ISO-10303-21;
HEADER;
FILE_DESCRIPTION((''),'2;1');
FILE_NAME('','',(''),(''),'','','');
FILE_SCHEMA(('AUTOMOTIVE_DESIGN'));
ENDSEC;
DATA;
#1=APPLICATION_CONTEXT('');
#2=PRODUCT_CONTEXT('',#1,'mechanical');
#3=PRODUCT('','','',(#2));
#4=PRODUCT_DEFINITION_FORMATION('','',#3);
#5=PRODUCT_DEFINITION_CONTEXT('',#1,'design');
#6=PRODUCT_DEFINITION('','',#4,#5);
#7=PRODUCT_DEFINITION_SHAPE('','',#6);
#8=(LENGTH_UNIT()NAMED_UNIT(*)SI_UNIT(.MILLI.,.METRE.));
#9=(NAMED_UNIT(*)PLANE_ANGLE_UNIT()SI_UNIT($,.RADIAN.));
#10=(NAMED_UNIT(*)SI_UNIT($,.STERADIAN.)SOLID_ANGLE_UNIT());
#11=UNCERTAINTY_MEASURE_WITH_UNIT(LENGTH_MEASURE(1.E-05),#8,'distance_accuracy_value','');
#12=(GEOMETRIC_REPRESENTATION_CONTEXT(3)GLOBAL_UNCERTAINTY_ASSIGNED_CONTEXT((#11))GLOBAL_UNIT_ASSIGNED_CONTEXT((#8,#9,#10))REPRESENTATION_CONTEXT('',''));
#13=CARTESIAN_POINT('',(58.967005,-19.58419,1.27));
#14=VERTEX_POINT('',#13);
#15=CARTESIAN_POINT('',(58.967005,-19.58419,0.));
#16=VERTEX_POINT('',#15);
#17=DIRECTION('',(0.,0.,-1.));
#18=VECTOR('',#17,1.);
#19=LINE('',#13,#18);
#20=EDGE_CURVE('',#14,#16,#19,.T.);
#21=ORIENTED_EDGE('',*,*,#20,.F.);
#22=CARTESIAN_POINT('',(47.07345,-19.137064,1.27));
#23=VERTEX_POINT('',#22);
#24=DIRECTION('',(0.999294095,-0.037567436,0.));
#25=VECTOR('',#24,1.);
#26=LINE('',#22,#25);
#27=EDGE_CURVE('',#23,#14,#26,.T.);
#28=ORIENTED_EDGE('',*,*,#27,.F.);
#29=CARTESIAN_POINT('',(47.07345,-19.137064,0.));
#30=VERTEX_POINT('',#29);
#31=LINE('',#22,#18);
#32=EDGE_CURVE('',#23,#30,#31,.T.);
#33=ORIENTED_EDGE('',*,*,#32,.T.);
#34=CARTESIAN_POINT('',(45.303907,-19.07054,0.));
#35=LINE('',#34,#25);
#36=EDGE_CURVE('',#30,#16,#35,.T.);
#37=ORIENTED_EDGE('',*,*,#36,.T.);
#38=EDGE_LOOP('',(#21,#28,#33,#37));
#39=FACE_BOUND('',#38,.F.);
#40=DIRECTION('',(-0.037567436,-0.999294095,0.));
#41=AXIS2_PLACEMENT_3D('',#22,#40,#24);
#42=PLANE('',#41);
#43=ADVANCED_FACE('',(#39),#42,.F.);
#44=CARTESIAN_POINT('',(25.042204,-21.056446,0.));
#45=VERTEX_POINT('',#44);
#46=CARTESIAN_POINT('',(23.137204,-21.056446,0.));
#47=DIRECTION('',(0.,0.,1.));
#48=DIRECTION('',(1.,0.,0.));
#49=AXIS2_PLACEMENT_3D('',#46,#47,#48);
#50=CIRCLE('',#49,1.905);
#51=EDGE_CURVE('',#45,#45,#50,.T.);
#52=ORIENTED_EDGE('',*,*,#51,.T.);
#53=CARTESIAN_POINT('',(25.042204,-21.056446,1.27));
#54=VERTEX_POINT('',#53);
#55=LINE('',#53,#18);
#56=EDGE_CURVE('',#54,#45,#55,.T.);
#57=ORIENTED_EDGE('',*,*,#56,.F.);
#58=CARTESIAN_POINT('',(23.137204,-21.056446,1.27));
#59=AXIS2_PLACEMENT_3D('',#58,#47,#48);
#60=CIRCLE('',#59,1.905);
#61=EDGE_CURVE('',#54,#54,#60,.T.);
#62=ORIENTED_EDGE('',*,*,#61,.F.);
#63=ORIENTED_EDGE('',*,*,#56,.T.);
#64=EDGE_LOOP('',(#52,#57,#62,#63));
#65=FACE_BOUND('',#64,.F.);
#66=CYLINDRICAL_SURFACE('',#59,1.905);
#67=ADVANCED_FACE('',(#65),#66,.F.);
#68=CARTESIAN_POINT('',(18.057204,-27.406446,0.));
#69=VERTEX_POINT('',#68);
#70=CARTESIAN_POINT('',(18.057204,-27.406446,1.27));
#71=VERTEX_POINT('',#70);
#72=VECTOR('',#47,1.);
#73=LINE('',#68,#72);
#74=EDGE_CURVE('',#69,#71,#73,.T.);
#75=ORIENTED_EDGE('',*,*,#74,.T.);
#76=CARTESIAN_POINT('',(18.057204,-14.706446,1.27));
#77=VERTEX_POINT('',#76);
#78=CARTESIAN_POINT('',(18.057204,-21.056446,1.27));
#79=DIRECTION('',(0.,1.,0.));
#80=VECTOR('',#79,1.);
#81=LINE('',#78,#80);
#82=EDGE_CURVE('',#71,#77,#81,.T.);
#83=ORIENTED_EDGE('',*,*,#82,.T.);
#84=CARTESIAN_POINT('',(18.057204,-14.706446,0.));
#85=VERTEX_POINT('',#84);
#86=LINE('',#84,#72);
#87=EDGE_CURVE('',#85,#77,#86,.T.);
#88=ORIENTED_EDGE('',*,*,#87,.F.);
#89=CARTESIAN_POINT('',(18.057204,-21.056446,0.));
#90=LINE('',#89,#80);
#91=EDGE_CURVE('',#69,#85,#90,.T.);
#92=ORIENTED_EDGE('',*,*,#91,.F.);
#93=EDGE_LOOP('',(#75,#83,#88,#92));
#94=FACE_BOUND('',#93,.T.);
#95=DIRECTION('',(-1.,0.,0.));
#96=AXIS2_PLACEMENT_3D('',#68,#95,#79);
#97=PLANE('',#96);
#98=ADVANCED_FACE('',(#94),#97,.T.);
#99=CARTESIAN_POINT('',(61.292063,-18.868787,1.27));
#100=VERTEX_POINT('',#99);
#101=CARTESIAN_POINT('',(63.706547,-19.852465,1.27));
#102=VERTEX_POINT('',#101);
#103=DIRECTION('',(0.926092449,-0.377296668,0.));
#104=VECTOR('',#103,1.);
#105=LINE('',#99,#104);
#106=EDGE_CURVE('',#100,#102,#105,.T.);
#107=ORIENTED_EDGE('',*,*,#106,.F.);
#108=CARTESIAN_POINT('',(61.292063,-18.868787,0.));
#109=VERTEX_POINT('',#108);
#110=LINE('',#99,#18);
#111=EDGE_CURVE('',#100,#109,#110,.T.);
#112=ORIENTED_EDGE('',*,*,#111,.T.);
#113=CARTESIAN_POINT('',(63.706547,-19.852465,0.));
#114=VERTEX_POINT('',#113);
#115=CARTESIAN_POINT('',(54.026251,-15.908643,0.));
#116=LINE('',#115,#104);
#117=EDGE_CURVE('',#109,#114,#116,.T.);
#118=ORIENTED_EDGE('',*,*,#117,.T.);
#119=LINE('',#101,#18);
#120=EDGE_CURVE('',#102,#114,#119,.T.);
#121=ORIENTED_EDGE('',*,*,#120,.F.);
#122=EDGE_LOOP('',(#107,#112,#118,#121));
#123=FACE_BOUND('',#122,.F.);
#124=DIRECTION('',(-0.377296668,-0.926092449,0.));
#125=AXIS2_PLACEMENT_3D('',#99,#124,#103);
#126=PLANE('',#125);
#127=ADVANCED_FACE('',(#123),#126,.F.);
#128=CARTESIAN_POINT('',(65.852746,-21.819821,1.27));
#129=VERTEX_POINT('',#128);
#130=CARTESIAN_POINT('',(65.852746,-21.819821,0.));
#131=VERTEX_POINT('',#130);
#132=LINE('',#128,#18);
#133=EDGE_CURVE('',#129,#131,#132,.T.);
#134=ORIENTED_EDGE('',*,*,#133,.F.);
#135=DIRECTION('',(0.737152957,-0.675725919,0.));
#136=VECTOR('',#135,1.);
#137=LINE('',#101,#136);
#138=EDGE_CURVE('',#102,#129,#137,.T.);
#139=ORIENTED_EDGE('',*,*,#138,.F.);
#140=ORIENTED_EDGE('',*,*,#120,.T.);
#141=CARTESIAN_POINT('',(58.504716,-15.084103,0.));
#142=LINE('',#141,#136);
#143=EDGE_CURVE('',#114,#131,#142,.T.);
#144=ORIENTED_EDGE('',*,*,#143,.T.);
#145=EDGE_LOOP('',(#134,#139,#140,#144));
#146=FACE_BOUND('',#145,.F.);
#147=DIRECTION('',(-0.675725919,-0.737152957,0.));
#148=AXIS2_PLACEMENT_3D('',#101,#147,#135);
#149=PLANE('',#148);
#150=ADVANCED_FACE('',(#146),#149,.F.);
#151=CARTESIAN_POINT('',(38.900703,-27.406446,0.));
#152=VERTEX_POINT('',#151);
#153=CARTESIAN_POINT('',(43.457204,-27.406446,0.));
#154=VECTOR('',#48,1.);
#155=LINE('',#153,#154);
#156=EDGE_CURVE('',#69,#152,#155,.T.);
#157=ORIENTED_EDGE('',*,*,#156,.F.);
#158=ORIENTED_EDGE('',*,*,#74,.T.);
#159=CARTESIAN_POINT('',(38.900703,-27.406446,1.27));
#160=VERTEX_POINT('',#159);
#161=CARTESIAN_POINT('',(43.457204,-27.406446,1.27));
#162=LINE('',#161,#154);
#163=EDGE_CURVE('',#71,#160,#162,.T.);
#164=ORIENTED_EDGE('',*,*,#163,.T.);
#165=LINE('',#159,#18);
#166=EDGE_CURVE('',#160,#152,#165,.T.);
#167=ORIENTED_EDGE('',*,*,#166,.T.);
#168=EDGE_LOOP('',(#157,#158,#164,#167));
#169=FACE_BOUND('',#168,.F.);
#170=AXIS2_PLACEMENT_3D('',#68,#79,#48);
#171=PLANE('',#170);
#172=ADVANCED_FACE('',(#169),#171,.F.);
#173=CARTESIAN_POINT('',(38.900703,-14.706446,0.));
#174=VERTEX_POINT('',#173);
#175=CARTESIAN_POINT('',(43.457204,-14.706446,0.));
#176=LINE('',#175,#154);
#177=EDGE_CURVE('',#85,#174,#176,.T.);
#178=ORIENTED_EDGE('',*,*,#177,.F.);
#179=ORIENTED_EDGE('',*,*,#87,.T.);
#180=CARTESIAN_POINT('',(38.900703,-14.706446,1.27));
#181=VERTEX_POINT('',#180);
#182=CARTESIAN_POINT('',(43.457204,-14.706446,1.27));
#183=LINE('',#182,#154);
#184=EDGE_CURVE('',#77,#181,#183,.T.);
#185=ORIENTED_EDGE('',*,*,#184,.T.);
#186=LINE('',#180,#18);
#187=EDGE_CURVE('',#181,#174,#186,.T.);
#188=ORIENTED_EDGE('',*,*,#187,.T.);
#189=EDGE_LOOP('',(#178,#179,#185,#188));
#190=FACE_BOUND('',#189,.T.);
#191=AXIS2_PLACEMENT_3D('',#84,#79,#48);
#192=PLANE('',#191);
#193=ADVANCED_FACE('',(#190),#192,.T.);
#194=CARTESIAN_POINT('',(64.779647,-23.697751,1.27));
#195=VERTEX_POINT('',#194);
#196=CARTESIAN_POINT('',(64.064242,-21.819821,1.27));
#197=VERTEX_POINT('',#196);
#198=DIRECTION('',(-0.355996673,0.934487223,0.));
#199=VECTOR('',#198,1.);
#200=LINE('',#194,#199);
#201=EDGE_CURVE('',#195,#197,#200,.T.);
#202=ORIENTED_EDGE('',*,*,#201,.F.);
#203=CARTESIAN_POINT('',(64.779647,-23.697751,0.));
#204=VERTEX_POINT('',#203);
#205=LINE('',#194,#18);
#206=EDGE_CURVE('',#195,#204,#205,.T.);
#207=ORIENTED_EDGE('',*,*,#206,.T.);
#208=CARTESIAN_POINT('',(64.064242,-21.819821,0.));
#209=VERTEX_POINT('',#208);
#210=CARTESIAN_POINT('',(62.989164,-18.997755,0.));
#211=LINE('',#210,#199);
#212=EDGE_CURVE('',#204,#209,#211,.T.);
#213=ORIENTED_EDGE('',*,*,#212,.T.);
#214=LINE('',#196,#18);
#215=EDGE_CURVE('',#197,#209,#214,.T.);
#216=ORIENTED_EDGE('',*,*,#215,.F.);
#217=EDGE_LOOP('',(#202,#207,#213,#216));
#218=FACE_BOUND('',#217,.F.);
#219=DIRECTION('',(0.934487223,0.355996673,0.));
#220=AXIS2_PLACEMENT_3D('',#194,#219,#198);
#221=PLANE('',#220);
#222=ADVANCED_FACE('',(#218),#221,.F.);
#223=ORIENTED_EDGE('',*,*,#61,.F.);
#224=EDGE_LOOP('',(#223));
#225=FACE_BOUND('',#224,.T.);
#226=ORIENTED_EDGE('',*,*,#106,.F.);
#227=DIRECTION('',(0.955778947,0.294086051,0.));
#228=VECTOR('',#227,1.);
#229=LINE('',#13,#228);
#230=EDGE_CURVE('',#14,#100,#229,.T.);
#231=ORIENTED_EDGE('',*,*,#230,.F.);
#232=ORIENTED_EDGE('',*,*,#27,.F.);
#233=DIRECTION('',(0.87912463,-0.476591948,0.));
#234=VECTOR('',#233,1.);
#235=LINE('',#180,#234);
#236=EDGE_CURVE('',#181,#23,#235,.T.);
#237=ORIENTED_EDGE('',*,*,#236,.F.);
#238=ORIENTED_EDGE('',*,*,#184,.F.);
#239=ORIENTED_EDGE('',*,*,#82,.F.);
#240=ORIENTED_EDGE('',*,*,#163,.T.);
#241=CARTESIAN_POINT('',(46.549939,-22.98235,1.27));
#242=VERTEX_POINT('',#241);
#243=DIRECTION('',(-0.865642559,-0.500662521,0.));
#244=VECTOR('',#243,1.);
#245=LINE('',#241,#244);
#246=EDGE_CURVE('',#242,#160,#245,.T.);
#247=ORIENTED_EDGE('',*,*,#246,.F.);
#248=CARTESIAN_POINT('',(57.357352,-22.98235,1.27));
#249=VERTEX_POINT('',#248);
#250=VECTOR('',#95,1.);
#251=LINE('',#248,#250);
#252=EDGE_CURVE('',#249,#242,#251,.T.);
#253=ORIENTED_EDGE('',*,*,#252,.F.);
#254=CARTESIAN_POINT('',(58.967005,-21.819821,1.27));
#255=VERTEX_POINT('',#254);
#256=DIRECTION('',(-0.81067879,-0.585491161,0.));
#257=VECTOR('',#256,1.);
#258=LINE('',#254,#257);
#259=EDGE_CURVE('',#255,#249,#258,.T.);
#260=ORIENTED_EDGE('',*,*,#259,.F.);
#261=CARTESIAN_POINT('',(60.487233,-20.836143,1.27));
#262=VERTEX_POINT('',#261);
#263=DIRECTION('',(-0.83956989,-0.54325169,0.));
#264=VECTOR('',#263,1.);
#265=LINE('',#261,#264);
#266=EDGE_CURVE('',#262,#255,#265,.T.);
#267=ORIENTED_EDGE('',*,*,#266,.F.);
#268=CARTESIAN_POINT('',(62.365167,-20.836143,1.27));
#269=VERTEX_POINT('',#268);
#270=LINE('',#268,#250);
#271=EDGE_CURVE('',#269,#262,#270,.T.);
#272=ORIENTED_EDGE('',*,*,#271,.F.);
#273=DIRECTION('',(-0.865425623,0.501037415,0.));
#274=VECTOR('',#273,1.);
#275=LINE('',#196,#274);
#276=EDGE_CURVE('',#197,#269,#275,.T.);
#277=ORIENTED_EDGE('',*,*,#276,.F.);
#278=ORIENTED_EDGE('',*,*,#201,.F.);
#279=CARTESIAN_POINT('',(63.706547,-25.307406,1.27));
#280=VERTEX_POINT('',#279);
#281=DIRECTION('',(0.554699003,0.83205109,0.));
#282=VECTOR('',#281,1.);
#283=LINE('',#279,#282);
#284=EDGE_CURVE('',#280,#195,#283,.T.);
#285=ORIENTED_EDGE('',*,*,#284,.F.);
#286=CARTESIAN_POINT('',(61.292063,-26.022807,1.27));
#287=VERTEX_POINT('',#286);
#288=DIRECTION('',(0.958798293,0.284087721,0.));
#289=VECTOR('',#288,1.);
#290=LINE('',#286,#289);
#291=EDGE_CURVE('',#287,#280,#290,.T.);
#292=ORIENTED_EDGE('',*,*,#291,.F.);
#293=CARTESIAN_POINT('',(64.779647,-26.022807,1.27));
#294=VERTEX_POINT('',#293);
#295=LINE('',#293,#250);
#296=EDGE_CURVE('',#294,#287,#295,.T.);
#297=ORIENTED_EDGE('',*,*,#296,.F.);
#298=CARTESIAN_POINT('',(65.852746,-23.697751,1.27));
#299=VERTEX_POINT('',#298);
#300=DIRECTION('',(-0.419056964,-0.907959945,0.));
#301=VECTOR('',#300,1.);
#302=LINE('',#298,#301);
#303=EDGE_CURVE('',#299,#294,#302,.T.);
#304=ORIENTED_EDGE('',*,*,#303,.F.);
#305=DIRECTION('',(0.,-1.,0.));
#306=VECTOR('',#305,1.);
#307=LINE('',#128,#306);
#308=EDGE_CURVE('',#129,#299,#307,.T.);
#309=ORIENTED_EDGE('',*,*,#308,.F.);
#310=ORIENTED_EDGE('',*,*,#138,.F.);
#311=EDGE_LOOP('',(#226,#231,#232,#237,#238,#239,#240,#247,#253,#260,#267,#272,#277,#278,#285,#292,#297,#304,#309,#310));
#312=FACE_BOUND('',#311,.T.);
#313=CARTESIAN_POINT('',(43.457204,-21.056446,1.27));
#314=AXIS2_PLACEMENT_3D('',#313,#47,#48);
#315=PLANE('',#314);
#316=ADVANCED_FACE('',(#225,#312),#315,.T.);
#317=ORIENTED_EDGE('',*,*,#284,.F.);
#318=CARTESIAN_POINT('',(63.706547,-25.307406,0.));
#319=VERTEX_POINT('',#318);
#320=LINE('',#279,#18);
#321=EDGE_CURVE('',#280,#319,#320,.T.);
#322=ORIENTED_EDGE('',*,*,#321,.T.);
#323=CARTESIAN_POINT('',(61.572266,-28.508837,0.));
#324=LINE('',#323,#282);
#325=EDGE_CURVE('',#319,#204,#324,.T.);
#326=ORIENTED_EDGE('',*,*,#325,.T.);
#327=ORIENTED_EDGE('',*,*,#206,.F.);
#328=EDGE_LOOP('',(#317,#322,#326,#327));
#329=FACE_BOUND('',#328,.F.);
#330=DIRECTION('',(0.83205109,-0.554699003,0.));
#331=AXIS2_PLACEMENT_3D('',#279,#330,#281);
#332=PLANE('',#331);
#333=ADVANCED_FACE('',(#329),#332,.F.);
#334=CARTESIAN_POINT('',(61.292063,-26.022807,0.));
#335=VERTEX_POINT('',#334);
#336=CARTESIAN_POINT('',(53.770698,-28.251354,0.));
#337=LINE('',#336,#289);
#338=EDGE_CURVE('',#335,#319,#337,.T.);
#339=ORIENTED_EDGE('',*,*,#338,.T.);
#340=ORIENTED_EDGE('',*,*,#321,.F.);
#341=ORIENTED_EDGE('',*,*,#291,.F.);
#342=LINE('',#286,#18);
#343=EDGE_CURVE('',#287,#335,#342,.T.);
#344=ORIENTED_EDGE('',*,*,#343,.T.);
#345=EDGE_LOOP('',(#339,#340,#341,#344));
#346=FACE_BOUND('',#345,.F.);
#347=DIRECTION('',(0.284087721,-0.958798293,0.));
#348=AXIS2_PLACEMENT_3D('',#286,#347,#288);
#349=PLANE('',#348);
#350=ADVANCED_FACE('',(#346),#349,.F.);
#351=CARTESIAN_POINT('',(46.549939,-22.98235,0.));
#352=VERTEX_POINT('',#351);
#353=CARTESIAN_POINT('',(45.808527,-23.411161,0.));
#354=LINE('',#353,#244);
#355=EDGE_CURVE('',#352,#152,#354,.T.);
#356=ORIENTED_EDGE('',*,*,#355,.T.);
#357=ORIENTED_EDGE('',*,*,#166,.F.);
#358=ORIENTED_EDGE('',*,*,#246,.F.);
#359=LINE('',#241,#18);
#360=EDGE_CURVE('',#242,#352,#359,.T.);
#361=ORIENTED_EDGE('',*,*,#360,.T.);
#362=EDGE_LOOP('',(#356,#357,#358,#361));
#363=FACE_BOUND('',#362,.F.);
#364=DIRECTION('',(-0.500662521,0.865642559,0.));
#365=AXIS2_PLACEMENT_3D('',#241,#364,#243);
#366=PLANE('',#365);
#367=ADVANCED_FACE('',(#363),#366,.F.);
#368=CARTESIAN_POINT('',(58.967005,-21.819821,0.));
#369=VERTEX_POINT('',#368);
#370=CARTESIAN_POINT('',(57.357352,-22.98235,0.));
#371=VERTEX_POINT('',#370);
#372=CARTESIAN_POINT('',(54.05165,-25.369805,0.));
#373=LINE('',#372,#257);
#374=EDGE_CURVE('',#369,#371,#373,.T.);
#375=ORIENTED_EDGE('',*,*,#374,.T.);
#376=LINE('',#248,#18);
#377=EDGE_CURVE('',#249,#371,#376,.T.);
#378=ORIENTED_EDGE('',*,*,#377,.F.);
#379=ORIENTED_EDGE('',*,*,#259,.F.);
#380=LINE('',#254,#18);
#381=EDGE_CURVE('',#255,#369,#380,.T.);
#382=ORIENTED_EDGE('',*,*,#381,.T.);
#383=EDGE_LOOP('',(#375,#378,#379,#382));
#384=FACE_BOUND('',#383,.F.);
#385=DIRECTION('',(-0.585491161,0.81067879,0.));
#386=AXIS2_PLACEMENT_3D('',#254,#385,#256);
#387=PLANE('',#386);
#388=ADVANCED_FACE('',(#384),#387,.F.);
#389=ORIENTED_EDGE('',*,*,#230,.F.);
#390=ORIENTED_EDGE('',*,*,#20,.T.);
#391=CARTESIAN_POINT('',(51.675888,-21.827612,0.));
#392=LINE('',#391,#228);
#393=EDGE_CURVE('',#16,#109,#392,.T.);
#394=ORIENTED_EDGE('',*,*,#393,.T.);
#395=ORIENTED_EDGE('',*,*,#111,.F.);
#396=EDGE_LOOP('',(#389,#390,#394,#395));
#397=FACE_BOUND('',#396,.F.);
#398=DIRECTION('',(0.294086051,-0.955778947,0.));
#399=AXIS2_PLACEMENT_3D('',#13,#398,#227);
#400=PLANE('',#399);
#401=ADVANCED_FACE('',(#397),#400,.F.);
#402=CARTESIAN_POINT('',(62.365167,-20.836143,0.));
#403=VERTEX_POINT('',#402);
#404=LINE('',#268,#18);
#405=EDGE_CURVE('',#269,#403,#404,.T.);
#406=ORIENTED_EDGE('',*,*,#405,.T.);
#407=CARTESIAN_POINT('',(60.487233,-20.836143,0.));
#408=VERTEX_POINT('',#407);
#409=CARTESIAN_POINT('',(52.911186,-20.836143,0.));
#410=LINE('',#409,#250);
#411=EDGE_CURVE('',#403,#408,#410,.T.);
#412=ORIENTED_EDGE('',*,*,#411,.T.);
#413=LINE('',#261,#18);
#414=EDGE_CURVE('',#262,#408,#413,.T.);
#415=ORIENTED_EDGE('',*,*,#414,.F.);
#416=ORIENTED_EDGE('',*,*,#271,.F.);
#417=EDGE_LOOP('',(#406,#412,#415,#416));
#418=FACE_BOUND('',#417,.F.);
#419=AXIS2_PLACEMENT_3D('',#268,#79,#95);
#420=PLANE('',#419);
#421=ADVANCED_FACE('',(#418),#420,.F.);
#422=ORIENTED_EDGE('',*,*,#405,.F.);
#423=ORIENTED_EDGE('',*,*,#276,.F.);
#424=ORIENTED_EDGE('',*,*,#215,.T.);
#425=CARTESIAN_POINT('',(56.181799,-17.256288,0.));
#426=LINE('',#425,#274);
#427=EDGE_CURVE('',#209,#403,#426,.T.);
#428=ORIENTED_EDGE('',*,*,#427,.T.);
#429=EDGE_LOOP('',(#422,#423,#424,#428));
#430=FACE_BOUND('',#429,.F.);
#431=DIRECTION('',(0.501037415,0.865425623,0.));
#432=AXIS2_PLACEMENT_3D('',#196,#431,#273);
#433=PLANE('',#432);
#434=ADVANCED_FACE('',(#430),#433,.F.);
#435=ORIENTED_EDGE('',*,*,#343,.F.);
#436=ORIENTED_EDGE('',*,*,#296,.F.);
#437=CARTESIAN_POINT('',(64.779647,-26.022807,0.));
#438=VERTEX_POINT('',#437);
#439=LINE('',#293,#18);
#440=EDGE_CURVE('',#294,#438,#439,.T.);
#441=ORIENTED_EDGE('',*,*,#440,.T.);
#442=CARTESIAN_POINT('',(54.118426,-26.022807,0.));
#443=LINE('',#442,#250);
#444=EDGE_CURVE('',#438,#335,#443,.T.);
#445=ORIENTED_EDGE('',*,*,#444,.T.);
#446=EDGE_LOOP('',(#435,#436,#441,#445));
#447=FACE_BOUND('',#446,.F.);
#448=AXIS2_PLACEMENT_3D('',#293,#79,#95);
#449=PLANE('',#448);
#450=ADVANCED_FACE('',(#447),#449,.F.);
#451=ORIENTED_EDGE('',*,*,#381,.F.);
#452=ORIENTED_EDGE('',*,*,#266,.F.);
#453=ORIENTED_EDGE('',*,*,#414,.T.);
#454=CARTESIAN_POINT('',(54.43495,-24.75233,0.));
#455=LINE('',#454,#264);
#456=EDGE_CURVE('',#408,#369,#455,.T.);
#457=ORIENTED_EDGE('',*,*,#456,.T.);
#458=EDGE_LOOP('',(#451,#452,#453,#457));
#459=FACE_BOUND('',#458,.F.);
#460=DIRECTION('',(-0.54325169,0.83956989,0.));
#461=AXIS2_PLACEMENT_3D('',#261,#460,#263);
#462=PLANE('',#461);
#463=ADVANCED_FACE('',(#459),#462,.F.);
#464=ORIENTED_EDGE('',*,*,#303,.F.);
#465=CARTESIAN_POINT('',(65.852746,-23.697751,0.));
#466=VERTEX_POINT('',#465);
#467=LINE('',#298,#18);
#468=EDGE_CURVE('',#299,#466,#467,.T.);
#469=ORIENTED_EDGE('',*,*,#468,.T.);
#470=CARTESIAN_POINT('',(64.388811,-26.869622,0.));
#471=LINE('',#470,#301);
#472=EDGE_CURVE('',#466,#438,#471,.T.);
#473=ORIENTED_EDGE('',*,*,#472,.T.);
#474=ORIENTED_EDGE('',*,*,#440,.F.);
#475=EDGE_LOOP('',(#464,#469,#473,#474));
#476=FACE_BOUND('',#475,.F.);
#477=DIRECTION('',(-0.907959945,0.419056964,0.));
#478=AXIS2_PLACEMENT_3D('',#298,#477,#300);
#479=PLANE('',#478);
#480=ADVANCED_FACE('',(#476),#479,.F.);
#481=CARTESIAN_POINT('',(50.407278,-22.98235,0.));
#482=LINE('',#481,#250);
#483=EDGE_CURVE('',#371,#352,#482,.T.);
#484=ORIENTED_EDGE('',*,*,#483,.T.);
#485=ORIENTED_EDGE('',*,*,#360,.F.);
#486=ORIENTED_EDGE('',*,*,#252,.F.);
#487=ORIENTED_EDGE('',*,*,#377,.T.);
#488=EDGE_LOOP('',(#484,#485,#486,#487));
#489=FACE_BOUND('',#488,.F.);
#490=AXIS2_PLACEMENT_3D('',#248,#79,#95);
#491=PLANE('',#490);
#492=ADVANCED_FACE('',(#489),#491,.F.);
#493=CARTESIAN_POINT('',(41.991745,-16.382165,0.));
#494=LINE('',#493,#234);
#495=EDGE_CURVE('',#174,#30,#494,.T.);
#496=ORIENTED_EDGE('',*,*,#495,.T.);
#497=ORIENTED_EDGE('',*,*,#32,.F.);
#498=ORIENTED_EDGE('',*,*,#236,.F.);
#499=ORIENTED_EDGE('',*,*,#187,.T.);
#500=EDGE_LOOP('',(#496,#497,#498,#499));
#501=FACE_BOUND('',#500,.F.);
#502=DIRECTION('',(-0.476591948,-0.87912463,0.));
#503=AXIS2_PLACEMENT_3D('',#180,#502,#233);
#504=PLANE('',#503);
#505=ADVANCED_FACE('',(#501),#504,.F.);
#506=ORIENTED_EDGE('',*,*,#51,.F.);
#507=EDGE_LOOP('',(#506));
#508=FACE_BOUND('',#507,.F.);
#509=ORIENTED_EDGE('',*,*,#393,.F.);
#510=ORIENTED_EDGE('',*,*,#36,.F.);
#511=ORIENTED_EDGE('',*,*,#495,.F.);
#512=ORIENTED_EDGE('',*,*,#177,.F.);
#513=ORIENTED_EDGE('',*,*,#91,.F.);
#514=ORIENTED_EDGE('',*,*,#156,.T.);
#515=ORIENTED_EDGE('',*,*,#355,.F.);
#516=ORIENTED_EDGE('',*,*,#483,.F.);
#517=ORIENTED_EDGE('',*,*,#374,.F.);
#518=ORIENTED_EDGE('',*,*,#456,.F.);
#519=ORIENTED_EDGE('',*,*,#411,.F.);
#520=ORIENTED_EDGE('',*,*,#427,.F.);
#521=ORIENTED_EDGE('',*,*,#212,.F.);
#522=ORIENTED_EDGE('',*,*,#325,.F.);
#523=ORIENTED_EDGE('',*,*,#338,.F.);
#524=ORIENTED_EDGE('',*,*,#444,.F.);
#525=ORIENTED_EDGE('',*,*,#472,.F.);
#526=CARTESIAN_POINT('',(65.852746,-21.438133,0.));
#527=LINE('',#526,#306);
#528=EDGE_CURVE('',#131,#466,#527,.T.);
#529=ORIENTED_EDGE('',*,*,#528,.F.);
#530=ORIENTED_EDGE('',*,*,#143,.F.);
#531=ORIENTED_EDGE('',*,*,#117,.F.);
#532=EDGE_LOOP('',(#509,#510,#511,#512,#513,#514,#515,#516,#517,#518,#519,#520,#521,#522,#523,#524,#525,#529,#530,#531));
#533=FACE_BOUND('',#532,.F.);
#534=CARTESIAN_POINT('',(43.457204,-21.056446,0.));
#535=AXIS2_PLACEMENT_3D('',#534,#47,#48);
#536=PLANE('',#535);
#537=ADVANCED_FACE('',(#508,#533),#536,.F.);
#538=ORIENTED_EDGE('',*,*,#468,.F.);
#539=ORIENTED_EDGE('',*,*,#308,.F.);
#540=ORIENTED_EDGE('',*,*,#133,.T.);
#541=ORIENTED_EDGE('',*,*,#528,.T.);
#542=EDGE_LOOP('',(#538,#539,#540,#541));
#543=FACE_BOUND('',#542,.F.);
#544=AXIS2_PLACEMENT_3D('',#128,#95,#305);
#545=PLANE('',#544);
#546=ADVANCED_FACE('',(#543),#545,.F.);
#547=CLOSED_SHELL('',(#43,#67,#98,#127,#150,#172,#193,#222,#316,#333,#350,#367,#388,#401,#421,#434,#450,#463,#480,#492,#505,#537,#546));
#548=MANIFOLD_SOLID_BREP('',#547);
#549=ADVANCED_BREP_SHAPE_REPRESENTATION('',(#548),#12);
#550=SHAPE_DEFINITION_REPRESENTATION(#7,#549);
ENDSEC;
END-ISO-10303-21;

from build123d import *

# Parameters (mm, degrees)
F0_W     = 50.8
F0_H     = 12.7
F1_DEPTH = 1.27
F2_R     = 1.905
F3_DEPTH = 25.4
F5_DEPTH = 25.4


with BuildPart() as f1:
    # F0 (on Top) → F1 (new body)
    with BuildSketch(Plane.XY):
        with Locations((43.457204, -21.056446)):
            Rectangle(F0_W, F0_H)
    extrude(amount=F1_DEPTH)

    # F2 (on face) → F3 (cut)
    with BuildSketch(Plane.XY.offset(1.27)):
        with Locations((23.137204, -21.056446)):
            Circle(F2_R)
    extrude(amount=-F3_DEPTH, mode=Mode.SUBTRACT)

    # F4 (on face) → F5 (cut)
    with BuildSketch(Plane.XY.offset(1.27)):
        Polygon((58.967005, -21.819821), (57.357352, -22.98235), (46.549939, -22.98235), (38.900703, -27.406446), (68.857204, -27.406446), (68.857204, -14.706446), (38.900703, -14.706446), (47.07345, -19.137064), (58.967005, -19.58419), (61.292063, -18.868787), (63.706547, -19.852465), (65.852746, -21.819821), (65.852746, -23.697751), (64.779647, -26.022807), (61.292063, -26.022807), (63.706547, -25.307406), (64.779647, -23.697751), (64.064242, -21.819821), (62.365167, -20.836143), (60.487233, -20.836143), align=None)
    extrude(amount=-F5_DEPTH, mode=Mode.SUBTRACT)


solid = f1.part
